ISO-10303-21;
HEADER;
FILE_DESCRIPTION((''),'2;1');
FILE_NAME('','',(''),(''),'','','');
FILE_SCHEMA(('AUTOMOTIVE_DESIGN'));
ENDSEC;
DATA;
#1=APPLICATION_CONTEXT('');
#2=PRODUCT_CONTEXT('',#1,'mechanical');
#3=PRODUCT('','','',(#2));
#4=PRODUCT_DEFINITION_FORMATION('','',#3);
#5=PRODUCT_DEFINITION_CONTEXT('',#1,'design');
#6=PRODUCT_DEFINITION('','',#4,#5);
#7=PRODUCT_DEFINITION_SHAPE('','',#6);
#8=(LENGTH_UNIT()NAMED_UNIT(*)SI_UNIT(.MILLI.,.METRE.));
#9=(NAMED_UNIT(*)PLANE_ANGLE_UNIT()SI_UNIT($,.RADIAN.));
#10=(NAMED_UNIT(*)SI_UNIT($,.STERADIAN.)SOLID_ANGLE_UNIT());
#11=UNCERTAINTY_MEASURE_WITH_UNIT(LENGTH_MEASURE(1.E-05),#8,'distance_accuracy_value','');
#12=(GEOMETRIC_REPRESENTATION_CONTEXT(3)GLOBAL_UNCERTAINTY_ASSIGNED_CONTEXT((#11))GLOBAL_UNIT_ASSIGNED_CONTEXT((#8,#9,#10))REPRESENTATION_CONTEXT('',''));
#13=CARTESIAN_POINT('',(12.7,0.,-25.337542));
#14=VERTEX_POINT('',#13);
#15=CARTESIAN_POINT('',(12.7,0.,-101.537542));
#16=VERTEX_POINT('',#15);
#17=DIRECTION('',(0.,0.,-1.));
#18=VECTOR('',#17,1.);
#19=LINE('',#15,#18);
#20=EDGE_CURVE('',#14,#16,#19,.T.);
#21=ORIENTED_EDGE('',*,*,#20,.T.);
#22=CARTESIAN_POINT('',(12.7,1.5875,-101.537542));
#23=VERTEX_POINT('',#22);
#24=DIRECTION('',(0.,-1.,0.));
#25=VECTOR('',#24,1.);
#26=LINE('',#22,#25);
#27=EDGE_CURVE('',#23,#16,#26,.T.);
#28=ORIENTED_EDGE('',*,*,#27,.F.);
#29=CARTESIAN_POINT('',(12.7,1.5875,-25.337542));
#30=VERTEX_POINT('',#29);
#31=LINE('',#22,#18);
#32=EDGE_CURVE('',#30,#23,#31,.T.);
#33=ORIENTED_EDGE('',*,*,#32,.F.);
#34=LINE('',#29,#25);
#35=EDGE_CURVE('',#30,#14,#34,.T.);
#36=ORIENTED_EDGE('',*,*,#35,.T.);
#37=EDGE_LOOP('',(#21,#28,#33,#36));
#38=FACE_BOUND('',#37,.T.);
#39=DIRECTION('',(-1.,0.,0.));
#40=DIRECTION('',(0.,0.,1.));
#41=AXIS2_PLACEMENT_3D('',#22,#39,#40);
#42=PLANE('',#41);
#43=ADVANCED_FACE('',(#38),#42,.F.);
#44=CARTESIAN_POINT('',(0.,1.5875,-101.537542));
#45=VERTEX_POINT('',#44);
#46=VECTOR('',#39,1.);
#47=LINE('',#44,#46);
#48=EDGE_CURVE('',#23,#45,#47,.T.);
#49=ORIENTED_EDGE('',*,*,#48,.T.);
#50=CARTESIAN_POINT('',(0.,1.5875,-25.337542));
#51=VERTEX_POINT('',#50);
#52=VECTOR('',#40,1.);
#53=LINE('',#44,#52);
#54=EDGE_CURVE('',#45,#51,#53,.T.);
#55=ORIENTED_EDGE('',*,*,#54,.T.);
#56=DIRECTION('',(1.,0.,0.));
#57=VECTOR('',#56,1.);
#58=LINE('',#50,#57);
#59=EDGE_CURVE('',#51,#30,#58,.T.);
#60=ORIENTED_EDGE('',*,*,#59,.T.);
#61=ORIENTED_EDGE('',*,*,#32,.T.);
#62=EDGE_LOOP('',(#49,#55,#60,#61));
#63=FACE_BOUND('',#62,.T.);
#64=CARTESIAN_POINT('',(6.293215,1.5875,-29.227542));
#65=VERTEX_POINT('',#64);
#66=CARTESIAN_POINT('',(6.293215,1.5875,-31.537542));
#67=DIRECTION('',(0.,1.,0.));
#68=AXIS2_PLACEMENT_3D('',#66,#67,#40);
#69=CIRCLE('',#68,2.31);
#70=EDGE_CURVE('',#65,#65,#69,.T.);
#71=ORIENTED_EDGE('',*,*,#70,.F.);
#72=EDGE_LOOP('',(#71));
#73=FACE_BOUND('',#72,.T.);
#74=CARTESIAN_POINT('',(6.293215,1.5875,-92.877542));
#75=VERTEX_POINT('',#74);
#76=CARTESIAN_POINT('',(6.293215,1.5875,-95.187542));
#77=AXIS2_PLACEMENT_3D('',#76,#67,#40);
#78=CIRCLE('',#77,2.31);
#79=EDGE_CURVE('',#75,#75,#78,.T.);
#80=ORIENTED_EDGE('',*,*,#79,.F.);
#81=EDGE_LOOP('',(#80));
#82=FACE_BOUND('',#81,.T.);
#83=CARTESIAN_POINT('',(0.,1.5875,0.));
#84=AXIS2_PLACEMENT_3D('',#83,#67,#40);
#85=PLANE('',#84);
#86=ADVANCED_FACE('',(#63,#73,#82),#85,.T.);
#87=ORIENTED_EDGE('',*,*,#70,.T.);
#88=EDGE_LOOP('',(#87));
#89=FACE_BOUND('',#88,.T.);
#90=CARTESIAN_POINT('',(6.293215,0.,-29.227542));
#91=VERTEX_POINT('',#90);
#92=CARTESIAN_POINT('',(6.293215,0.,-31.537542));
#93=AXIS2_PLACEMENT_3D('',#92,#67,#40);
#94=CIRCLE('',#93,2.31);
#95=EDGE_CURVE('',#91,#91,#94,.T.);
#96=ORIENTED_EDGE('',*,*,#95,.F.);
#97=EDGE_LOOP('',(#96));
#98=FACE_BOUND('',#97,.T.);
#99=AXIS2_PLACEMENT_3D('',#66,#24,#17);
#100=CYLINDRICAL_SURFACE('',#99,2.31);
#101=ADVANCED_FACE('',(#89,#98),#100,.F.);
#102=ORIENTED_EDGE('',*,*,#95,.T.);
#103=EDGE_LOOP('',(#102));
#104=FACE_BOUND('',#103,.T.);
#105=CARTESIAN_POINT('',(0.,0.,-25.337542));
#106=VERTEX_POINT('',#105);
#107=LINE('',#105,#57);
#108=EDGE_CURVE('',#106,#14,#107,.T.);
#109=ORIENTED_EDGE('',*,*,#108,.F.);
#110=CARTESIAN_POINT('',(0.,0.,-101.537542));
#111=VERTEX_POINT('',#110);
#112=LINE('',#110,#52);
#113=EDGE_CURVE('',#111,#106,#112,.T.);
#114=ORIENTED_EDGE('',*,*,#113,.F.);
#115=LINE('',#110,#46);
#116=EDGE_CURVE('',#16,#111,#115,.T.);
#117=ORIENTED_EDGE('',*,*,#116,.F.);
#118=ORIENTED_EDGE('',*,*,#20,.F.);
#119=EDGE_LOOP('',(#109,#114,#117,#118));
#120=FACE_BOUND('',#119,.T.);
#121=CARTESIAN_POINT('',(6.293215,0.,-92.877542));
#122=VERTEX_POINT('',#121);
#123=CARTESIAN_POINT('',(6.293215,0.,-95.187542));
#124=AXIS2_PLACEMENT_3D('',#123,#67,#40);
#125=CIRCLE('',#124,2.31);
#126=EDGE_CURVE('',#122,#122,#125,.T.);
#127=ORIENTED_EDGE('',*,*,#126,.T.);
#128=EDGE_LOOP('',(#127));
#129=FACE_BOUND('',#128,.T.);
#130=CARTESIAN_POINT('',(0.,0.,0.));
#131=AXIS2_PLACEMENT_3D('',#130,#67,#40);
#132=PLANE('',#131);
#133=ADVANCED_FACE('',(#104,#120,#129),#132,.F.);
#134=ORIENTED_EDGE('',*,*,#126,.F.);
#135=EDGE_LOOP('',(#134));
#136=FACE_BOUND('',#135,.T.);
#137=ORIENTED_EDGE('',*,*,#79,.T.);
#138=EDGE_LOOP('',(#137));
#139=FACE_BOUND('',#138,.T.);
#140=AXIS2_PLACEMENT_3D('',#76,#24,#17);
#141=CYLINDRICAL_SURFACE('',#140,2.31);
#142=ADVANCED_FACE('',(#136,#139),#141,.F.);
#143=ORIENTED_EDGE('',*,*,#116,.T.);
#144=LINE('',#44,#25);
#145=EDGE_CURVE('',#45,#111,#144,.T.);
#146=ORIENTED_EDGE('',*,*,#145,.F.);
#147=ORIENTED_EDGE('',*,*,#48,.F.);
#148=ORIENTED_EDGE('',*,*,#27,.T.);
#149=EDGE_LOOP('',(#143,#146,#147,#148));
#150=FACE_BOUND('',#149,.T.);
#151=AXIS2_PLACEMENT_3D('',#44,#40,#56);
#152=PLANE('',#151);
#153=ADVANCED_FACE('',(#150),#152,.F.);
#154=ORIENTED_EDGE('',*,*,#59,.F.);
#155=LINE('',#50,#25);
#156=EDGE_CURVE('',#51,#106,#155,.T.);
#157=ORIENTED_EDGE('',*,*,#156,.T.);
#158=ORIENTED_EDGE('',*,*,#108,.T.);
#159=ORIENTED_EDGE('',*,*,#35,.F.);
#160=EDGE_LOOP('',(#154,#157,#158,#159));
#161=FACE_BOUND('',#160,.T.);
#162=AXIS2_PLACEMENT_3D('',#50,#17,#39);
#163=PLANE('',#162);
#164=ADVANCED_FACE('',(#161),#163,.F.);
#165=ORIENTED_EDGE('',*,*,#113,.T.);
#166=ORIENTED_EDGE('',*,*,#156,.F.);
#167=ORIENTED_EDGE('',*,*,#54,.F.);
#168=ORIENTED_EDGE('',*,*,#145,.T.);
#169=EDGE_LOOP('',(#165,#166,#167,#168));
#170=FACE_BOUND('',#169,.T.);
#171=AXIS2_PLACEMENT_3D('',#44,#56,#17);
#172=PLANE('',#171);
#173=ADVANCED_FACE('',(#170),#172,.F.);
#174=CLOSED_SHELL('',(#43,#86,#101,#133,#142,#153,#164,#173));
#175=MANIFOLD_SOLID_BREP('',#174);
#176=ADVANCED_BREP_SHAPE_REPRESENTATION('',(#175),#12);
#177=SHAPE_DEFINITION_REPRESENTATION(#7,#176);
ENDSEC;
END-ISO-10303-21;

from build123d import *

# Parameters (mm, degrees)
SKETCH1_W           = 12.7
SKETCH1_H           = 76.2
SKETCH1_R           = 2.31
BOSS_EXTRUDE1_DEPTH = 1.5875


with BuildPart() as part:
    # Sketch1 → Boss-Extrude1 (new body)
    with BuildSketch(Plane(origin=(0, 0, 0), x_dir=(1, 0, 0), z_dir=(0, 1, 0))):
        with Locations((6.35, 63.437542426)):
            Rectangle(SKETCH1_W, SKETCH1_H)
        with Locations(Location((6.293214881, 95.187542426, 0), (0, 0, 270))):
            Circle(SKETCH1_R, mode=Mode.SUBTRACT)
        with Locations(Location((6.293214881, 31.537542426, 0), (0, 0, 270))):
            Circle(SKETCH1_R, mode=Mode.SUBTRACT)
    extrude(amount=BOSS_EXTRUDE1_DEPTH)


solid = part.part
